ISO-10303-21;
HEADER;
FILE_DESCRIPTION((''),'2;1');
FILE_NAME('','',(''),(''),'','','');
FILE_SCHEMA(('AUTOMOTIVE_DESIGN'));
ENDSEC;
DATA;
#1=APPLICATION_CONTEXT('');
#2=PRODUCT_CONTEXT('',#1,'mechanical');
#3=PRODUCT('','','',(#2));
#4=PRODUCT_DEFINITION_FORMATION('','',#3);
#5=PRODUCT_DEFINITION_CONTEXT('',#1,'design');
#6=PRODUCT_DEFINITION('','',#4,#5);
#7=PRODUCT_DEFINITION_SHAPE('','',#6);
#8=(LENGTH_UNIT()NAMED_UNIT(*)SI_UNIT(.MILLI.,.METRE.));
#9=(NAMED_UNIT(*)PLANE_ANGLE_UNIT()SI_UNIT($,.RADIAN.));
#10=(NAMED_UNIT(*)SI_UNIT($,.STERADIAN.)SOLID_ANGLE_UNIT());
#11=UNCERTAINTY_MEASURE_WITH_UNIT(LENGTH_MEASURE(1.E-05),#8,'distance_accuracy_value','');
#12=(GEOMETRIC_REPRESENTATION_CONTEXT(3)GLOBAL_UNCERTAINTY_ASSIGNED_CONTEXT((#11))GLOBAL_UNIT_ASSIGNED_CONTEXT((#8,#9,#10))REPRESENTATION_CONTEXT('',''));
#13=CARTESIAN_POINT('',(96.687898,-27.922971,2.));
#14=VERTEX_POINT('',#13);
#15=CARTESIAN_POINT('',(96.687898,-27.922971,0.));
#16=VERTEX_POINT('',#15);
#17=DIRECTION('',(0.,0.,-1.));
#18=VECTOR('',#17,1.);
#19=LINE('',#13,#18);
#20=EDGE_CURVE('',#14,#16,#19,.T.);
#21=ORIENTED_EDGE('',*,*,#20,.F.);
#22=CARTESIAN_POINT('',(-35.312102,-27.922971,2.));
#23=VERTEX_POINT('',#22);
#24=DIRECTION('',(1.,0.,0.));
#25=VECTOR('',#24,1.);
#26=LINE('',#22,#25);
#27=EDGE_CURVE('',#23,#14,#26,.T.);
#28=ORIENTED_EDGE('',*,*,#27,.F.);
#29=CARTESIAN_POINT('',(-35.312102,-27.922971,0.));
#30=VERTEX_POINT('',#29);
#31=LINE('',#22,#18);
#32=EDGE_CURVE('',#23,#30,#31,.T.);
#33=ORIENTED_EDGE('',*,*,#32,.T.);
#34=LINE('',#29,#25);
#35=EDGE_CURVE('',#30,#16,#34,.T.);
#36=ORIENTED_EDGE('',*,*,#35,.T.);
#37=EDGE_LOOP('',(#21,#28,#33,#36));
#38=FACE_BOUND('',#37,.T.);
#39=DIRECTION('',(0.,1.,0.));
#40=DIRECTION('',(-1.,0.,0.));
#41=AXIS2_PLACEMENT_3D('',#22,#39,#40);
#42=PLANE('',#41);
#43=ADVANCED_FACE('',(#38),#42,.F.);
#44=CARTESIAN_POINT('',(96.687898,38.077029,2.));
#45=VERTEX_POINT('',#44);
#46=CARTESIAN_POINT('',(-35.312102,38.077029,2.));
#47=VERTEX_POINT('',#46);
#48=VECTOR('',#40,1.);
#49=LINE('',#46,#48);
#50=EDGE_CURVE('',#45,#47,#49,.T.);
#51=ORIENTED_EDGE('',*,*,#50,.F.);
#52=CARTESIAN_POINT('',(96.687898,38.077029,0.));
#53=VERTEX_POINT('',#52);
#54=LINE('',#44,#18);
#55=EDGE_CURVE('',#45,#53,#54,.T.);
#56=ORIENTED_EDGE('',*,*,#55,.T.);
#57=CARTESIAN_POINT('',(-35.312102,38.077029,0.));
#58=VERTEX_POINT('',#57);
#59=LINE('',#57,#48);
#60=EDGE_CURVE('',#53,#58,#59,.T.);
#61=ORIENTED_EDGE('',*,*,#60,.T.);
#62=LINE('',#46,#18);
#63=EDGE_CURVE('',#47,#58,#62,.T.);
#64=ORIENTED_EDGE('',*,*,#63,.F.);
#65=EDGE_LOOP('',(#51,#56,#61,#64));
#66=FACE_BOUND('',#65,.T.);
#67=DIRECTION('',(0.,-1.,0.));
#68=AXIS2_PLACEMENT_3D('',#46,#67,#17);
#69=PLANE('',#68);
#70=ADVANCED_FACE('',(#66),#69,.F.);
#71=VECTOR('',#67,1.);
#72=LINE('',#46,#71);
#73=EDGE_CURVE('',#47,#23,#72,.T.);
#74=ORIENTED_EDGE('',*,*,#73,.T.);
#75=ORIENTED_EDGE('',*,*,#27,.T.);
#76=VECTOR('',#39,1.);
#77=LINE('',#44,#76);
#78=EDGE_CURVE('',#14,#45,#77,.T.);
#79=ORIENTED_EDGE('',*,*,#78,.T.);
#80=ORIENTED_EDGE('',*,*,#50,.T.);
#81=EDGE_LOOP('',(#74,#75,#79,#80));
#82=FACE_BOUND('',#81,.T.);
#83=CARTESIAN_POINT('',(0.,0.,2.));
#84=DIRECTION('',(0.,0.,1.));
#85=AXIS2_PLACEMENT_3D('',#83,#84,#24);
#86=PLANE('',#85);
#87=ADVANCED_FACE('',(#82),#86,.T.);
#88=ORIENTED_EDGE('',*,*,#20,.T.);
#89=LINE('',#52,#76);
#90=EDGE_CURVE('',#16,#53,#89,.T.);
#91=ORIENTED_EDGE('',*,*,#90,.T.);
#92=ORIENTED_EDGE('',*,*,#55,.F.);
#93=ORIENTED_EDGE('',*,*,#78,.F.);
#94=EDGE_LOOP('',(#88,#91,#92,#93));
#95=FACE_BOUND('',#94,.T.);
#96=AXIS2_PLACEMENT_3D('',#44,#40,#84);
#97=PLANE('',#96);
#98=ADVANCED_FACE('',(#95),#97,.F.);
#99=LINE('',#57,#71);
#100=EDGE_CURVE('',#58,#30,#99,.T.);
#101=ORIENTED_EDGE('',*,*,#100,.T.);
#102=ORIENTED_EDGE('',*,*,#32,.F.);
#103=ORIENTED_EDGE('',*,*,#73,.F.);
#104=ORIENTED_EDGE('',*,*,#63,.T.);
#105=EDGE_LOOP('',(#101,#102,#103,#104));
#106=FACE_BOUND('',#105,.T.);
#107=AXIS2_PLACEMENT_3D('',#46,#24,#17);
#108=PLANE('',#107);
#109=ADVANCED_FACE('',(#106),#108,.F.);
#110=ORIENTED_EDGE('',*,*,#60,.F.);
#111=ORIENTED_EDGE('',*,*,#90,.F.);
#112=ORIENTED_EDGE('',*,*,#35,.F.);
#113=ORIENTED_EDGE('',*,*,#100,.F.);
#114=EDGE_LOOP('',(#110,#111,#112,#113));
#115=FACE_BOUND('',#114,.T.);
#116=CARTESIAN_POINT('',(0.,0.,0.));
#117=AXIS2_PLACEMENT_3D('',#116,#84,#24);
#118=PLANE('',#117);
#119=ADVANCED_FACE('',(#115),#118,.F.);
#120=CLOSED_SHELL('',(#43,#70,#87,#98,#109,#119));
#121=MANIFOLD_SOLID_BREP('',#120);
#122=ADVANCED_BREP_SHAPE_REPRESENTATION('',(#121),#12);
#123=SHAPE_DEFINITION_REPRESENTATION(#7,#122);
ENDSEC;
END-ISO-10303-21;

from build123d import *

# Parameters (mm, degrees)
SKETCH_1_W      = 132
SKETCH_1_H      = 66
EXTRUDE_1_DEPTH = 2


with BuildPart() as part:
    # 草图1 → 凸台-拉伸1 (new body)
    with BuildSketch(Plane.XY):
        with Locations((30.687898089, 5.077028856)):
            Rectangle(SKETCH_1_W, SKETCH_1_H)
    extrude(amount=EXTRUDE_1_DEPTH)


solid = part.part
